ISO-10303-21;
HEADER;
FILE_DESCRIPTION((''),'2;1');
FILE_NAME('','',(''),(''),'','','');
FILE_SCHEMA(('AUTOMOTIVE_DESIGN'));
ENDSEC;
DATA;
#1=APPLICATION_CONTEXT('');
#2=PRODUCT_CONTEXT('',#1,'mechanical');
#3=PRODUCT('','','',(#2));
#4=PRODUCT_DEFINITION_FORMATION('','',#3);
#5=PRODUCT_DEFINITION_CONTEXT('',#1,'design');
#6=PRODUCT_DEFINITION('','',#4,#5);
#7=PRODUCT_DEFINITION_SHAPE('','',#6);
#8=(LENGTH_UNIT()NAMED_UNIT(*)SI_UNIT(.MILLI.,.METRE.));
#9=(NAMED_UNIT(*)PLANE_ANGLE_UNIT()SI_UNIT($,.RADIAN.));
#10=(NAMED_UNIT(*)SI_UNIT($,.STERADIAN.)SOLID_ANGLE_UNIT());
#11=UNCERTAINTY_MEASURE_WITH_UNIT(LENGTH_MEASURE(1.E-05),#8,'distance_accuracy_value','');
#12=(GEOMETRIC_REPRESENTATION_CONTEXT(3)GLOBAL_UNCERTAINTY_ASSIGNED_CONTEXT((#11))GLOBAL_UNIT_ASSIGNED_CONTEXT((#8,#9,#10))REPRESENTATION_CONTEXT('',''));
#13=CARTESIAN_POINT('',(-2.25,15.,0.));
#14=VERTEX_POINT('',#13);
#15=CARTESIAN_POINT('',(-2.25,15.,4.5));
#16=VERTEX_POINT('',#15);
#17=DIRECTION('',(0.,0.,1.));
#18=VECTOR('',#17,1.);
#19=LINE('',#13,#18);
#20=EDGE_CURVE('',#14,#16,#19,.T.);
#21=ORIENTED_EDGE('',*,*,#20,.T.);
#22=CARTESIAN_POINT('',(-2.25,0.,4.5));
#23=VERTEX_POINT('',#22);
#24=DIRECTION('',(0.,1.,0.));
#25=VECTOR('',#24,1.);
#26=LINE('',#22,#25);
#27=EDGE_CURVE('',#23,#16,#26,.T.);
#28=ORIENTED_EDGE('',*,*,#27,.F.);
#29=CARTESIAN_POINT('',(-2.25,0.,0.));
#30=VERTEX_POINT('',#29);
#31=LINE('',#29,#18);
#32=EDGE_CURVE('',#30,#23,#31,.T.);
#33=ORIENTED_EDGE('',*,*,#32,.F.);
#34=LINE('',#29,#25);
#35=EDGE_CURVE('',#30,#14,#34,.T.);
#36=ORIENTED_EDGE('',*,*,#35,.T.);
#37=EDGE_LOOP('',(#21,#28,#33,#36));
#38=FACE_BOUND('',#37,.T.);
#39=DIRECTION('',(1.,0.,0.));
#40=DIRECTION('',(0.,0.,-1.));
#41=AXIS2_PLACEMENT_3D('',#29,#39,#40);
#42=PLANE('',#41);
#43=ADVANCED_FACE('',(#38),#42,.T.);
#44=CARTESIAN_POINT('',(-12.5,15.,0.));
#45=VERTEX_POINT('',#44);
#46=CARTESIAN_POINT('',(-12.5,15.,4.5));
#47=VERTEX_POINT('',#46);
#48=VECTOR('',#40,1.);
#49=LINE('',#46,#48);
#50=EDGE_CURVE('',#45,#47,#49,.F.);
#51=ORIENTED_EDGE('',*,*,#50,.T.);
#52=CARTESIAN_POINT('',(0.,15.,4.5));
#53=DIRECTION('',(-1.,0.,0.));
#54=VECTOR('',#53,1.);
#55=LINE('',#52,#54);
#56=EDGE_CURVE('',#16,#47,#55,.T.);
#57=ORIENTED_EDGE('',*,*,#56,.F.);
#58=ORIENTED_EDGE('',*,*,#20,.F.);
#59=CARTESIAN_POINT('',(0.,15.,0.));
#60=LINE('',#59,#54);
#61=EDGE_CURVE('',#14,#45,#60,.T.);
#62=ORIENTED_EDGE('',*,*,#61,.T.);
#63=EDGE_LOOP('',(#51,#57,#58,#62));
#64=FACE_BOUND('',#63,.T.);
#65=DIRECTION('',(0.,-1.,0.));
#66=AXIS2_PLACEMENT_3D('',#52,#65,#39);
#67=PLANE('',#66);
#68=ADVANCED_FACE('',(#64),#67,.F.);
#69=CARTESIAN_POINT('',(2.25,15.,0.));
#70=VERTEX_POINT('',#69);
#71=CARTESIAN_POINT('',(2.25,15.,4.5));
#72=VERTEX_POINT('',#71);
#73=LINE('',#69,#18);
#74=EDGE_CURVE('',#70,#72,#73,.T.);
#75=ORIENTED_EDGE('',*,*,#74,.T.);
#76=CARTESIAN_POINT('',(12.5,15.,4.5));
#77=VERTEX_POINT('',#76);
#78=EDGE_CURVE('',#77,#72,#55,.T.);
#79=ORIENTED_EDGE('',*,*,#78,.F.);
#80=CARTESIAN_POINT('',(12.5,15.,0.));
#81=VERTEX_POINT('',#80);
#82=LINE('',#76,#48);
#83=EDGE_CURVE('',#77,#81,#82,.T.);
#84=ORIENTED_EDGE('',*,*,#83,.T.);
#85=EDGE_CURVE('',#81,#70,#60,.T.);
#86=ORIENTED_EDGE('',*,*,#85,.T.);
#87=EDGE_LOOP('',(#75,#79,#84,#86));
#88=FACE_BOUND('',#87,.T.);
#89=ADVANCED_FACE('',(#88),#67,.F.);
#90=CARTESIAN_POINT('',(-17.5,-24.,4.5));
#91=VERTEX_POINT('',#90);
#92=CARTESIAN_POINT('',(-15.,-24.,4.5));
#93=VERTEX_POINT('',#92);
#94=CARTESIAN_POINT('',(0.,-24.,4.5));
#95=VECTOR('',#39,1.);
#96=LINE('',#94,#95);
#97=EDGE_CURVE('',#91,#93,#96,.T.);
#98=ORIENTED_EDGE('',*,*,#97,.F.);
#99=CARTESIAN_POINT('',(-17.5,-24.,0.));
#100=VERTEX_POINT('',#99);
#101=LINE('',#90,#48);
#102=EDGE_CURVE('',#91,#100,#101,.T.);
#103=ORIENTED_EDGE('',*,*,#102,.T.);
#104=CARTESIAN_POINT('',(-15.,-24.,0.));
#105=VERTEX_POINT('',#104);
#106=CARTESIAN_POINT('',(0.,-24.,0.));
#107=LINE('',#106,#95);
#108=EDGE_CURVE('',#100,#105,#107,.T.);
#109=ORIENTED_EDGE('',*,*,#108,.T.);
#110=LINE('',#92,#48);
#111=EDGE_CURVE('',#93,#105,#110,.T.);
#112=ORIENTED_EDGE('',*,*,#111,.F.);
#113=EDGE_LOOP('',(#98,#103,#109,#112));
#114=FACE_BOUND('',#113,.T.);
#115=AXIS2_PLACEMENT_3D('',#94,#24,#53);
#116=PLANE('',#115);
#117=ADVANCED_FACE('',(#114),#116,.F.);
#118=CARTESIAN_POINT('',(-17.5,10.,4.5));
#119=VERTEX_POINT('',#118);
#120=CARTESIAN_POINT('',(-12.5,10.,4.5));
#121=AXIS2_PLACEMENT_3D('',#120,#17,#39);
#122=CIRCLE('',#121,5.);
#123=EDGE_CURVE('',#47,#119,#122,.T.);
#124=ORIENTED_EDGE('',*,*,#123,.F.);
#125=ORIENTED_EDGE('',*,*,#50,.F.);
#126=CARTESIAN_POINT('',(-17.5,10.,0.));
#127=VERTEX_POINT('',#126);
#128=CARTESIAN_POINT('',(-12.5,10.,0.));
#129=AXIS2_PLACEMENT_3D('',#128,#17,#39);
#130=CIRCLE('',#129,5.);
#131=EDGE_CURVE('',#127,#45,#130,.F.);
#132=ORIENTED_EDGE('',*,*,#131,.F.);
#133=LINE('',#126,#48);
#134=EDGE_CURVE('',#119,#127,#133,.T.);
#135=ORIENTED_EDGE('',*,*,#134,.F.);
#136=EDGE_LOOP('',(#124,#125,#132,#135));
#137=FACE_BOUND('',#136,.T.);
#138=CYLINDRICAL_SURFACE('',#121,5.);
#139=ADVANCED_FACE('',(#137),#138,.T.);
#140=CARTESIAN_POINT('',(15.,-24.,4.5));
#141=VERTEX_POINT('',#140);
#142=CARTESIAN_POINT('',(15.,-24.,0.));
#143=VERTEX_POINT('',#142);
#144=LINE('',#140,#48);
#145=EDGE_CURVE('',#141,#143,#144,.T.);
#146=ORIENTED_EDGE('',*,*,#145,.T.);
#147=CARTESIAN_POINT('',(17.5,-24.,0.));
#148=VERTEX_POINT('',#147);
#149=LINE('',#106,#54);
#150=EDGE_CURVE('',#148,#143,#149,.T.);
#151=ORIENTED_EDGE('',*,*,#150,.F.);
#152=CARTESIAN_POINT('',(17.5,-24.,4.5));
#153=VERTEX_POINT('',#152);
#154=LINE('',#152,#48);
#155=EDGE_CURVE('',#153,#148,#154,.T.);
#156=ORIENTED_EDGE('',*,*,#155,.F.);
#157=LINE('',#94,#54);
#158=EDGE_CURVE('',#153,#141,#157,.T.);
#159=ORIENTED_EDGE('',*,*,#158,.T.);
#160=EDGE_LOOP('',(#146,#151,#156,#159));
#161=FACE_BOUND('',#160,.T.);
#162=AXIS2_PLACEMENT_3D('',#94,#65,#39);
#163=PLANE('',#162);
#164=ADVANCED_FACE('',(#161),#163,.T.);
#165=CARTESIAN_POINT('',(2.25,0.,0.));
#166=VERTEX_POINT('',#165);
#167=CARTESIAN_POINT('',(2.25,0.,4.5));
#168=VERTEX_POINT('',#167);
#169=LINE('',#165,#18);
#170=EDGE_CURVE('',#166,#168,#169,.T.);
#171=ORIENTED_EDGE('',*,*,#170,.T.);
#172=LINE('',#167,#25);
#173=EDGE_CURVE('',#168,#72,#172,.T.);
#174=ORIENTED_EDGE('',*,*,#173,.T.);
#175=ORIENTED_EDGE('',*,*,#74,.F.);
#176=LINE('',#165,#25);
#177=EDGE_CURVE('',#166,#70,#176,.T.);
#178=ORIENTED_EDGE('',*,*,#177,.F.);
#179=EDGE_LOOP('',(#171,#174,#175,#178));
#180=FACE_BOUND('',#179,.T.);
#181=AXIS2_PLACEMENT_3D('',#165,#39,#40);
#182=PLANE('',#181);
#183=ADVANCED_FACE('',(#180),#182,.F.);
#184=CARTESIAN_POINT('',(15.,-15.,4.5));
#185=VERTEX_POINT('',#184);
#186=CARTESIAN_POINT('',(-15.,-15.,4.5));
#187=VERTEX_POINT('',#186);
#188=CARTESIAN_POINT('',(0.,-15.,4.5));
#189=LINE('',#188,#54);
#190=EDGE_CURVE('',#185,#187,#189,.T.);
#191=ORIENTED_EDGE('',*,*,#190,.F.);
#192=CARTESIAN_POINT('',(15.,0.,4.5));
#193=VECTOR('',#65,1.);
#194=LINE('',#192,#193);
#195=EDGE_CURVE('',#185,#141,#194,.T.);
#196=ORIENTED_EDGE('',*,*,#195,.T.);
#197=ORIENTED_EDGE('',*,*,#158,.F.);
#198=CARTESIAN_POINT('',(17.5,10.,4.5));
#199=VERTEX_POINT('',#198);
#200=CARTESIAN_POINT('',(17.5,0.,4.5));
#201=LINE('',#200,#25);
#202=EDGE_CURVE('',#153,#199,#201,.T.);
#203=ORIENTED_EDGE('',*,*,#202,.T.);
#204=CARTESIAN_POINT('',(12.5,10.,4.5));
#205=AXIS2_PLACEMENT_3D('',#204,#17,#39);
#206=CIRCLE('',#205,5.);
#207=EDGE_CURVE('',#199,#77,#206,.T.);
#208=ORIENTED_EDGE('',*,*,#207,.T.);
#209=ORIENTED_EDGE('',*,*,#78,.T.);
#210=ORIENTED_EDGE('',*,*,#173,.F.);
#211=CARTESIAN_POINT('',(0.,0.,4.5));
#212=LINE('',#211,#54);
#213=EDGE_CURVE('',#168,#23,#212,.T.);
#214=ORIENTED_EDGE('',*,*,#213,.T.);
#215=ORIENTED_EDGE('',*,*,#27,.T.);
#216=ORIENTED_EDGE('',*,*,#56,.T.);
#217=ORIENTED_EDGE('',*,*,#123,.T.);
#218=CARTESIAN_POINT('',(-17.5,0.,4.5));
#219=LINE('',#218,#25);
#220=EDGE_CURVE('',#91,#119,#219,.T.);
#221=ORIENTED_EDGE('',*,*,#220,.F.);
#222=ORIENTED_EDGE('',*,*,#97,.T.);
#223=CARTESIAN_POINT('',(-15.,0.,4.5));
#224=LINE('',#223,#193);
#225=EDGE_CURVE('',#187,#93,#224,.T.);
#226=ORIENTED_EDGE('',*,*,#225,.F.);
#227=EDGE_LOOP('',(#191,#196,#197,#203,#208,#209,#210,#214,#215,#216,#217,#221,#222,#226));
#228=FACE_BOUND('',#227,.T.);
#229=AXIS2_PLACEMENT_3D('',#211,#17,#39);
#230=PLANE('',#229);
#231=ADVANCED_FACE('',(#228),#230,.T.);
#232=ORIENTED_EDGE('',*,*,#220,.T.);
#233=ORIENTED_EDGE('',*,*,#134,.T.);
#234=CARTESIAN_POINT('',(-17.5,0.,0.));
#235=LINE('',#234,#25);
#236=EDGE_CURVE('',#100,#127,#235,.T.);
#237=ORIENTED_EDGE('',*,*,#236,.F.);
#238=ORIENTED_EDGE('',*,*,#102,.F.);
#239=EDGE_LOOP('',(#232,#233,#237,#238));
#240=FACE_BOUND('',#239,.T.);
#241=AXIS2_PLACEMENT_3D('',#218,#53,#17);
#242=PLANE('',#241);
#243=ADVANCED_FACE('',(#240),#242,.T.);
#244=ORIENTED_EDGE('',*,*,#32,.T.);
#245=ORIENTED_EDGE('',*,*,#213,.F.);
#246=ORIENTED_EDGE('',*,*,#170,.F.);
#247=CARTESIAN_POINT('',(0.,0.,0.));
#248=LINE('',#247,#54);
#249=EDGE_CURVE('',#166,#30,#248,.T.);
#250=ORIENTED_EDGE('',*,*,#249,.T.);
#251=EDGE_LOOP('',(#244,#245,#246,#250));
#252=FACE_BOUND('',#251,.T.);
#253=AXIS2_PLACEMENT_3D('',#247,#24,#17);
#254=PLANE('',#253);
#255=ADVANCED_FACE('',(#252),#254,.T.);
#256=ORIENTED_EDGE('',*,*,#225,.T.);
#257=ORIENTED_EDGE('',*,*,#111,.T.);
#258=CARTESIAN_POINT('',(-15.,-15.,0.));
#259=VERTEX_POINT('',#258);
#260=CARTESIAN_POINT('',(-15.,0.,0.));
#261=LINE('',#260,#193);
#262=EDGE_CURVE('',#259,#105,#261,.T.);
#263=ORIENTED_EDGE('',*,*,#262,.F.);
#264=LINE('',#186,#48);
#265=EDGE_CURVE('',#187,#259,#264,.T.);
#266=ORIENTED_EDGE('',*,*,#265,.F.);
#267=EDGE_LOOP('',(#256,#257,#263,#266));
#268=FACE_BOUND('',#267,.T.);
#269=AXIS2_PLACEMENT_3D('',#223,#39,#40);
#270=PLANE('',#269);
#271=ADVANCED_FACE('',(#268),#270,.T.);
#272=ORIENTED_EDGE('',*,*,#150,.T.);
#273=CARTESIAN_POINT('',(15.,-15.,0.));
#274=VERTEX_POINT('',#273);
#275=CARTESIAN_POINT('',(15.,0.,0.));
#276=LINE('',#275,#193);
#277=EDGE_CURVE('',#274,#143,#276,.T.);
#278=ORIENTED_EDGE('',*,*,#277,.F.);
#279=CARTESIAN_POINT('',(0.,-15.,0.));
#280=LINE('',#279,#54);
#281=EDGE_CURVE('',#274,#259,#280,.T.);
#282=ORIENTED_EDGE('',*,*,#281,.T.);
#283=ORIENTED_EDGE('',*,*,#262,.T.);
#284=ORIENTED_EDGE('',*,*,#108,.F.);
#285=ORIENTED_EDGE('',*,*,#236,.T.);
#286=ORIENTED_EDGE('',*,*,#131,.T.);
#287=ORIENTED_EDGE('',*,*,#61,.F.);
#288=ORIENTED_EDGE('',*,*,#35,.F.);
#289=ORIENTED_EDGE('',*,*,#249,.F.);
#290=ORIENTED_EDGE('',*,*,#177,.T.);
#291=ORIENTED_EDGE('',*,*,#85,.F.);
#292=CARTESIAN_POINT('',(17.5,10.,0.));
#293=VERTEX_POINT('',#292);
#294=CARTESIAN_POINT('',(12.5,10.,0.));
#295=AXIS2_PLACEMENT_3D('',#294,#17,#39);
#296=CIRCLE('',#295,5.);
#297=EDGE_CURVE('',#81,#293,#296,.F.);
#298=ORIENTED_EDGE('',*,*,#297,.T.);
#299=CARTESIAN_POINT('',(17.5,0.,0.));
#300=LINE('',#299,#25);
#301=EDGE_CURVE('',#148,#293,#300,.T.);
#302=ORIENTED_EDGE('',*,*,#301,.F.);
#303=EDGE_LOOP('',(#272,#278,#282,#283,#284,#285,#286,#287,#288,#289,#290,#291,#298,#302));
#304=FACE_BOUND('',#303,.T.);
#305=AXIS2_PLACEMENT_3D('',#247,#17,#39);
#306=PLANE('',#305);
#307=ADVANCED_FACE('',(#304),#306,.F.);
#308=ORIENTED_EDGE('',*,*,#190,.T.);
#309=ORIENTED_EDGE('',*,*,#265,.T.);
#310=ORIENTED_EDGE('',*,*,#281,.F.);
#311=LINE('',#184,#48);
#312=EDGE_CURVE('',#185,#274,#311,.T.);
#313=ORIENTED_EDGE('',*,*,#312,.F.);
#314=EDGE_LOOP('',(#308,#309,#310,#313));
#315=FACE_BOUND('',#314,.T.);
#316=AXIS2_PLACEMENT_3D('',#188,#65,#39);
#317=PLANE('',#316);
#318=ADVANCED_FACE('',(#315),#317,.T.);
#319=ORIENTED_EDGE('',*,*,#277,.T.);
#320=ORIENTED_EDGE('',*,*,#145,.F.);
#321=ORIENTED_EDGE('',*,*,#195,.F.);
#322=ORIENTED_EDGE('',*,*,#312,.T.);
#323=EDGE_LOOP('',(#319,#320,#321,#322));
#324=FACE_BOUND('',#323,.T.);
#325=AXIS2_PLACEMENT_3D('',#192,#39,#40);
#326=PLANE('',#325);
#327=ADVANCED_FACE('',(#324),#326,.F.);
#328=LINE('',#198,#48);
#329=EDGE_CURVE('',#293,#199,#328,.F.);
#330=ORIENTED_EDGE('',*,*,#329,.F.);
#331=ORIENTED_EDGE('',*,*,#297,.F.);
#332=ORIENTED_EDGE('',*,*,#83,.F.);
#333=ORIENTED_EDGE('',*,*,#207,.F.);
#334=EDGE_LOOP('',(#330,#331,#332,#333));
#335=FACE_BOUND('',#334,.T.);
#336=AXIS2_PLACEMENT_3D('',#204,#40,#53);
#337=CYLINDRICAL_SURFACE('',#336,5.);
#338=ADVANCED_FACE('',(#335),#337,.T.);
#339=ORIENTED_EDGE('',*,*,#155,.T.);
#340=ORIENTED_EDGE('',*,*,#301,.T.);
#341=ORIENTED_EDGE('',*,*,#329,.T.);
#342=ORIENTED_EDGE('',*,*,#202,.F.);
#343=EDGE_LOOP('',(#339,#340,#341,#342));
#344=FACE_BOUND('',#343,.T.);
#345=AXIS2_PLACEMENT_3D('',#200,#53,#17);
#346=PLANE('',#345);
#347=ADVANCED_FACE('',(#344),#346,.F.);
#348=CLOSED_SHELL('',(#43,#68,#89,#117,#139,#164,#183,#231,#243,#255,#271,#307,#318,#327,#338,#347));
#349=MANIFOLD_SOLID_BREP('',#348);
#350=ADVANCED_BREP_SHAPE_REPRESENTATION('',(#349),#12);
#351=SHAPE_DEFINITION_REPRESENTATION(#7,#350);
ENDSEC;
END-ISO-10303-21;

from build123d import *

# Parameters (mm, degrees)
SKETCH1_W           = 35
SKETCH1_H           = 30
SKETCH1_W_2         = 2.5
SKETCH1_H_2         = 9
BOSS_EXTRUDE1_DEPTH = 4.5
FILLET1_R           = 5
SKETCH2_W           = 4.5
SKETCH2_H           = 15
CUT_EXTRUDE1_DEPTH  = 4.5


with BuildPart() as part:
    # Sketch1 → Boss-Extrude1 (new body)
    with BuildSketch(Plane.XY):
        Rectangle(SKETCH1_W, SKETCH1_H)
        with Locations((-16.25, -19.5)):
            Rectangle(SKETCH1_W_2, SKETCH1_H_2)
        with Locations((16.25, -19.5)):
            Rectangle(SKETCH1_W_2, SKETCH1_H_2)
    extrude(amount=BOSS_EXTRUDE1_DEPTH)

    # Fillet1
    fillet1_edges = [part.edges().sort_by_distance(p)[0] for p in [
        (-17.5, 15, 2.25),
        (17.5, 15, 2.25),
    ]]
    fillet(fillet1_edges, radius=FILLET1_R)

    # Sketch2 → Cut-Extrude1 (cut)
    with BuildSketch(Plane.XY.offset(4.5)):
        with Locations((0, 7.5)):
            Rectangle(SKETCH2_W, SKETCH2_H)
    extrude(amount=-CUT_EXTRUDE1_DEPTH, mode=Mode.SUBTRACT)


solid = part.part
